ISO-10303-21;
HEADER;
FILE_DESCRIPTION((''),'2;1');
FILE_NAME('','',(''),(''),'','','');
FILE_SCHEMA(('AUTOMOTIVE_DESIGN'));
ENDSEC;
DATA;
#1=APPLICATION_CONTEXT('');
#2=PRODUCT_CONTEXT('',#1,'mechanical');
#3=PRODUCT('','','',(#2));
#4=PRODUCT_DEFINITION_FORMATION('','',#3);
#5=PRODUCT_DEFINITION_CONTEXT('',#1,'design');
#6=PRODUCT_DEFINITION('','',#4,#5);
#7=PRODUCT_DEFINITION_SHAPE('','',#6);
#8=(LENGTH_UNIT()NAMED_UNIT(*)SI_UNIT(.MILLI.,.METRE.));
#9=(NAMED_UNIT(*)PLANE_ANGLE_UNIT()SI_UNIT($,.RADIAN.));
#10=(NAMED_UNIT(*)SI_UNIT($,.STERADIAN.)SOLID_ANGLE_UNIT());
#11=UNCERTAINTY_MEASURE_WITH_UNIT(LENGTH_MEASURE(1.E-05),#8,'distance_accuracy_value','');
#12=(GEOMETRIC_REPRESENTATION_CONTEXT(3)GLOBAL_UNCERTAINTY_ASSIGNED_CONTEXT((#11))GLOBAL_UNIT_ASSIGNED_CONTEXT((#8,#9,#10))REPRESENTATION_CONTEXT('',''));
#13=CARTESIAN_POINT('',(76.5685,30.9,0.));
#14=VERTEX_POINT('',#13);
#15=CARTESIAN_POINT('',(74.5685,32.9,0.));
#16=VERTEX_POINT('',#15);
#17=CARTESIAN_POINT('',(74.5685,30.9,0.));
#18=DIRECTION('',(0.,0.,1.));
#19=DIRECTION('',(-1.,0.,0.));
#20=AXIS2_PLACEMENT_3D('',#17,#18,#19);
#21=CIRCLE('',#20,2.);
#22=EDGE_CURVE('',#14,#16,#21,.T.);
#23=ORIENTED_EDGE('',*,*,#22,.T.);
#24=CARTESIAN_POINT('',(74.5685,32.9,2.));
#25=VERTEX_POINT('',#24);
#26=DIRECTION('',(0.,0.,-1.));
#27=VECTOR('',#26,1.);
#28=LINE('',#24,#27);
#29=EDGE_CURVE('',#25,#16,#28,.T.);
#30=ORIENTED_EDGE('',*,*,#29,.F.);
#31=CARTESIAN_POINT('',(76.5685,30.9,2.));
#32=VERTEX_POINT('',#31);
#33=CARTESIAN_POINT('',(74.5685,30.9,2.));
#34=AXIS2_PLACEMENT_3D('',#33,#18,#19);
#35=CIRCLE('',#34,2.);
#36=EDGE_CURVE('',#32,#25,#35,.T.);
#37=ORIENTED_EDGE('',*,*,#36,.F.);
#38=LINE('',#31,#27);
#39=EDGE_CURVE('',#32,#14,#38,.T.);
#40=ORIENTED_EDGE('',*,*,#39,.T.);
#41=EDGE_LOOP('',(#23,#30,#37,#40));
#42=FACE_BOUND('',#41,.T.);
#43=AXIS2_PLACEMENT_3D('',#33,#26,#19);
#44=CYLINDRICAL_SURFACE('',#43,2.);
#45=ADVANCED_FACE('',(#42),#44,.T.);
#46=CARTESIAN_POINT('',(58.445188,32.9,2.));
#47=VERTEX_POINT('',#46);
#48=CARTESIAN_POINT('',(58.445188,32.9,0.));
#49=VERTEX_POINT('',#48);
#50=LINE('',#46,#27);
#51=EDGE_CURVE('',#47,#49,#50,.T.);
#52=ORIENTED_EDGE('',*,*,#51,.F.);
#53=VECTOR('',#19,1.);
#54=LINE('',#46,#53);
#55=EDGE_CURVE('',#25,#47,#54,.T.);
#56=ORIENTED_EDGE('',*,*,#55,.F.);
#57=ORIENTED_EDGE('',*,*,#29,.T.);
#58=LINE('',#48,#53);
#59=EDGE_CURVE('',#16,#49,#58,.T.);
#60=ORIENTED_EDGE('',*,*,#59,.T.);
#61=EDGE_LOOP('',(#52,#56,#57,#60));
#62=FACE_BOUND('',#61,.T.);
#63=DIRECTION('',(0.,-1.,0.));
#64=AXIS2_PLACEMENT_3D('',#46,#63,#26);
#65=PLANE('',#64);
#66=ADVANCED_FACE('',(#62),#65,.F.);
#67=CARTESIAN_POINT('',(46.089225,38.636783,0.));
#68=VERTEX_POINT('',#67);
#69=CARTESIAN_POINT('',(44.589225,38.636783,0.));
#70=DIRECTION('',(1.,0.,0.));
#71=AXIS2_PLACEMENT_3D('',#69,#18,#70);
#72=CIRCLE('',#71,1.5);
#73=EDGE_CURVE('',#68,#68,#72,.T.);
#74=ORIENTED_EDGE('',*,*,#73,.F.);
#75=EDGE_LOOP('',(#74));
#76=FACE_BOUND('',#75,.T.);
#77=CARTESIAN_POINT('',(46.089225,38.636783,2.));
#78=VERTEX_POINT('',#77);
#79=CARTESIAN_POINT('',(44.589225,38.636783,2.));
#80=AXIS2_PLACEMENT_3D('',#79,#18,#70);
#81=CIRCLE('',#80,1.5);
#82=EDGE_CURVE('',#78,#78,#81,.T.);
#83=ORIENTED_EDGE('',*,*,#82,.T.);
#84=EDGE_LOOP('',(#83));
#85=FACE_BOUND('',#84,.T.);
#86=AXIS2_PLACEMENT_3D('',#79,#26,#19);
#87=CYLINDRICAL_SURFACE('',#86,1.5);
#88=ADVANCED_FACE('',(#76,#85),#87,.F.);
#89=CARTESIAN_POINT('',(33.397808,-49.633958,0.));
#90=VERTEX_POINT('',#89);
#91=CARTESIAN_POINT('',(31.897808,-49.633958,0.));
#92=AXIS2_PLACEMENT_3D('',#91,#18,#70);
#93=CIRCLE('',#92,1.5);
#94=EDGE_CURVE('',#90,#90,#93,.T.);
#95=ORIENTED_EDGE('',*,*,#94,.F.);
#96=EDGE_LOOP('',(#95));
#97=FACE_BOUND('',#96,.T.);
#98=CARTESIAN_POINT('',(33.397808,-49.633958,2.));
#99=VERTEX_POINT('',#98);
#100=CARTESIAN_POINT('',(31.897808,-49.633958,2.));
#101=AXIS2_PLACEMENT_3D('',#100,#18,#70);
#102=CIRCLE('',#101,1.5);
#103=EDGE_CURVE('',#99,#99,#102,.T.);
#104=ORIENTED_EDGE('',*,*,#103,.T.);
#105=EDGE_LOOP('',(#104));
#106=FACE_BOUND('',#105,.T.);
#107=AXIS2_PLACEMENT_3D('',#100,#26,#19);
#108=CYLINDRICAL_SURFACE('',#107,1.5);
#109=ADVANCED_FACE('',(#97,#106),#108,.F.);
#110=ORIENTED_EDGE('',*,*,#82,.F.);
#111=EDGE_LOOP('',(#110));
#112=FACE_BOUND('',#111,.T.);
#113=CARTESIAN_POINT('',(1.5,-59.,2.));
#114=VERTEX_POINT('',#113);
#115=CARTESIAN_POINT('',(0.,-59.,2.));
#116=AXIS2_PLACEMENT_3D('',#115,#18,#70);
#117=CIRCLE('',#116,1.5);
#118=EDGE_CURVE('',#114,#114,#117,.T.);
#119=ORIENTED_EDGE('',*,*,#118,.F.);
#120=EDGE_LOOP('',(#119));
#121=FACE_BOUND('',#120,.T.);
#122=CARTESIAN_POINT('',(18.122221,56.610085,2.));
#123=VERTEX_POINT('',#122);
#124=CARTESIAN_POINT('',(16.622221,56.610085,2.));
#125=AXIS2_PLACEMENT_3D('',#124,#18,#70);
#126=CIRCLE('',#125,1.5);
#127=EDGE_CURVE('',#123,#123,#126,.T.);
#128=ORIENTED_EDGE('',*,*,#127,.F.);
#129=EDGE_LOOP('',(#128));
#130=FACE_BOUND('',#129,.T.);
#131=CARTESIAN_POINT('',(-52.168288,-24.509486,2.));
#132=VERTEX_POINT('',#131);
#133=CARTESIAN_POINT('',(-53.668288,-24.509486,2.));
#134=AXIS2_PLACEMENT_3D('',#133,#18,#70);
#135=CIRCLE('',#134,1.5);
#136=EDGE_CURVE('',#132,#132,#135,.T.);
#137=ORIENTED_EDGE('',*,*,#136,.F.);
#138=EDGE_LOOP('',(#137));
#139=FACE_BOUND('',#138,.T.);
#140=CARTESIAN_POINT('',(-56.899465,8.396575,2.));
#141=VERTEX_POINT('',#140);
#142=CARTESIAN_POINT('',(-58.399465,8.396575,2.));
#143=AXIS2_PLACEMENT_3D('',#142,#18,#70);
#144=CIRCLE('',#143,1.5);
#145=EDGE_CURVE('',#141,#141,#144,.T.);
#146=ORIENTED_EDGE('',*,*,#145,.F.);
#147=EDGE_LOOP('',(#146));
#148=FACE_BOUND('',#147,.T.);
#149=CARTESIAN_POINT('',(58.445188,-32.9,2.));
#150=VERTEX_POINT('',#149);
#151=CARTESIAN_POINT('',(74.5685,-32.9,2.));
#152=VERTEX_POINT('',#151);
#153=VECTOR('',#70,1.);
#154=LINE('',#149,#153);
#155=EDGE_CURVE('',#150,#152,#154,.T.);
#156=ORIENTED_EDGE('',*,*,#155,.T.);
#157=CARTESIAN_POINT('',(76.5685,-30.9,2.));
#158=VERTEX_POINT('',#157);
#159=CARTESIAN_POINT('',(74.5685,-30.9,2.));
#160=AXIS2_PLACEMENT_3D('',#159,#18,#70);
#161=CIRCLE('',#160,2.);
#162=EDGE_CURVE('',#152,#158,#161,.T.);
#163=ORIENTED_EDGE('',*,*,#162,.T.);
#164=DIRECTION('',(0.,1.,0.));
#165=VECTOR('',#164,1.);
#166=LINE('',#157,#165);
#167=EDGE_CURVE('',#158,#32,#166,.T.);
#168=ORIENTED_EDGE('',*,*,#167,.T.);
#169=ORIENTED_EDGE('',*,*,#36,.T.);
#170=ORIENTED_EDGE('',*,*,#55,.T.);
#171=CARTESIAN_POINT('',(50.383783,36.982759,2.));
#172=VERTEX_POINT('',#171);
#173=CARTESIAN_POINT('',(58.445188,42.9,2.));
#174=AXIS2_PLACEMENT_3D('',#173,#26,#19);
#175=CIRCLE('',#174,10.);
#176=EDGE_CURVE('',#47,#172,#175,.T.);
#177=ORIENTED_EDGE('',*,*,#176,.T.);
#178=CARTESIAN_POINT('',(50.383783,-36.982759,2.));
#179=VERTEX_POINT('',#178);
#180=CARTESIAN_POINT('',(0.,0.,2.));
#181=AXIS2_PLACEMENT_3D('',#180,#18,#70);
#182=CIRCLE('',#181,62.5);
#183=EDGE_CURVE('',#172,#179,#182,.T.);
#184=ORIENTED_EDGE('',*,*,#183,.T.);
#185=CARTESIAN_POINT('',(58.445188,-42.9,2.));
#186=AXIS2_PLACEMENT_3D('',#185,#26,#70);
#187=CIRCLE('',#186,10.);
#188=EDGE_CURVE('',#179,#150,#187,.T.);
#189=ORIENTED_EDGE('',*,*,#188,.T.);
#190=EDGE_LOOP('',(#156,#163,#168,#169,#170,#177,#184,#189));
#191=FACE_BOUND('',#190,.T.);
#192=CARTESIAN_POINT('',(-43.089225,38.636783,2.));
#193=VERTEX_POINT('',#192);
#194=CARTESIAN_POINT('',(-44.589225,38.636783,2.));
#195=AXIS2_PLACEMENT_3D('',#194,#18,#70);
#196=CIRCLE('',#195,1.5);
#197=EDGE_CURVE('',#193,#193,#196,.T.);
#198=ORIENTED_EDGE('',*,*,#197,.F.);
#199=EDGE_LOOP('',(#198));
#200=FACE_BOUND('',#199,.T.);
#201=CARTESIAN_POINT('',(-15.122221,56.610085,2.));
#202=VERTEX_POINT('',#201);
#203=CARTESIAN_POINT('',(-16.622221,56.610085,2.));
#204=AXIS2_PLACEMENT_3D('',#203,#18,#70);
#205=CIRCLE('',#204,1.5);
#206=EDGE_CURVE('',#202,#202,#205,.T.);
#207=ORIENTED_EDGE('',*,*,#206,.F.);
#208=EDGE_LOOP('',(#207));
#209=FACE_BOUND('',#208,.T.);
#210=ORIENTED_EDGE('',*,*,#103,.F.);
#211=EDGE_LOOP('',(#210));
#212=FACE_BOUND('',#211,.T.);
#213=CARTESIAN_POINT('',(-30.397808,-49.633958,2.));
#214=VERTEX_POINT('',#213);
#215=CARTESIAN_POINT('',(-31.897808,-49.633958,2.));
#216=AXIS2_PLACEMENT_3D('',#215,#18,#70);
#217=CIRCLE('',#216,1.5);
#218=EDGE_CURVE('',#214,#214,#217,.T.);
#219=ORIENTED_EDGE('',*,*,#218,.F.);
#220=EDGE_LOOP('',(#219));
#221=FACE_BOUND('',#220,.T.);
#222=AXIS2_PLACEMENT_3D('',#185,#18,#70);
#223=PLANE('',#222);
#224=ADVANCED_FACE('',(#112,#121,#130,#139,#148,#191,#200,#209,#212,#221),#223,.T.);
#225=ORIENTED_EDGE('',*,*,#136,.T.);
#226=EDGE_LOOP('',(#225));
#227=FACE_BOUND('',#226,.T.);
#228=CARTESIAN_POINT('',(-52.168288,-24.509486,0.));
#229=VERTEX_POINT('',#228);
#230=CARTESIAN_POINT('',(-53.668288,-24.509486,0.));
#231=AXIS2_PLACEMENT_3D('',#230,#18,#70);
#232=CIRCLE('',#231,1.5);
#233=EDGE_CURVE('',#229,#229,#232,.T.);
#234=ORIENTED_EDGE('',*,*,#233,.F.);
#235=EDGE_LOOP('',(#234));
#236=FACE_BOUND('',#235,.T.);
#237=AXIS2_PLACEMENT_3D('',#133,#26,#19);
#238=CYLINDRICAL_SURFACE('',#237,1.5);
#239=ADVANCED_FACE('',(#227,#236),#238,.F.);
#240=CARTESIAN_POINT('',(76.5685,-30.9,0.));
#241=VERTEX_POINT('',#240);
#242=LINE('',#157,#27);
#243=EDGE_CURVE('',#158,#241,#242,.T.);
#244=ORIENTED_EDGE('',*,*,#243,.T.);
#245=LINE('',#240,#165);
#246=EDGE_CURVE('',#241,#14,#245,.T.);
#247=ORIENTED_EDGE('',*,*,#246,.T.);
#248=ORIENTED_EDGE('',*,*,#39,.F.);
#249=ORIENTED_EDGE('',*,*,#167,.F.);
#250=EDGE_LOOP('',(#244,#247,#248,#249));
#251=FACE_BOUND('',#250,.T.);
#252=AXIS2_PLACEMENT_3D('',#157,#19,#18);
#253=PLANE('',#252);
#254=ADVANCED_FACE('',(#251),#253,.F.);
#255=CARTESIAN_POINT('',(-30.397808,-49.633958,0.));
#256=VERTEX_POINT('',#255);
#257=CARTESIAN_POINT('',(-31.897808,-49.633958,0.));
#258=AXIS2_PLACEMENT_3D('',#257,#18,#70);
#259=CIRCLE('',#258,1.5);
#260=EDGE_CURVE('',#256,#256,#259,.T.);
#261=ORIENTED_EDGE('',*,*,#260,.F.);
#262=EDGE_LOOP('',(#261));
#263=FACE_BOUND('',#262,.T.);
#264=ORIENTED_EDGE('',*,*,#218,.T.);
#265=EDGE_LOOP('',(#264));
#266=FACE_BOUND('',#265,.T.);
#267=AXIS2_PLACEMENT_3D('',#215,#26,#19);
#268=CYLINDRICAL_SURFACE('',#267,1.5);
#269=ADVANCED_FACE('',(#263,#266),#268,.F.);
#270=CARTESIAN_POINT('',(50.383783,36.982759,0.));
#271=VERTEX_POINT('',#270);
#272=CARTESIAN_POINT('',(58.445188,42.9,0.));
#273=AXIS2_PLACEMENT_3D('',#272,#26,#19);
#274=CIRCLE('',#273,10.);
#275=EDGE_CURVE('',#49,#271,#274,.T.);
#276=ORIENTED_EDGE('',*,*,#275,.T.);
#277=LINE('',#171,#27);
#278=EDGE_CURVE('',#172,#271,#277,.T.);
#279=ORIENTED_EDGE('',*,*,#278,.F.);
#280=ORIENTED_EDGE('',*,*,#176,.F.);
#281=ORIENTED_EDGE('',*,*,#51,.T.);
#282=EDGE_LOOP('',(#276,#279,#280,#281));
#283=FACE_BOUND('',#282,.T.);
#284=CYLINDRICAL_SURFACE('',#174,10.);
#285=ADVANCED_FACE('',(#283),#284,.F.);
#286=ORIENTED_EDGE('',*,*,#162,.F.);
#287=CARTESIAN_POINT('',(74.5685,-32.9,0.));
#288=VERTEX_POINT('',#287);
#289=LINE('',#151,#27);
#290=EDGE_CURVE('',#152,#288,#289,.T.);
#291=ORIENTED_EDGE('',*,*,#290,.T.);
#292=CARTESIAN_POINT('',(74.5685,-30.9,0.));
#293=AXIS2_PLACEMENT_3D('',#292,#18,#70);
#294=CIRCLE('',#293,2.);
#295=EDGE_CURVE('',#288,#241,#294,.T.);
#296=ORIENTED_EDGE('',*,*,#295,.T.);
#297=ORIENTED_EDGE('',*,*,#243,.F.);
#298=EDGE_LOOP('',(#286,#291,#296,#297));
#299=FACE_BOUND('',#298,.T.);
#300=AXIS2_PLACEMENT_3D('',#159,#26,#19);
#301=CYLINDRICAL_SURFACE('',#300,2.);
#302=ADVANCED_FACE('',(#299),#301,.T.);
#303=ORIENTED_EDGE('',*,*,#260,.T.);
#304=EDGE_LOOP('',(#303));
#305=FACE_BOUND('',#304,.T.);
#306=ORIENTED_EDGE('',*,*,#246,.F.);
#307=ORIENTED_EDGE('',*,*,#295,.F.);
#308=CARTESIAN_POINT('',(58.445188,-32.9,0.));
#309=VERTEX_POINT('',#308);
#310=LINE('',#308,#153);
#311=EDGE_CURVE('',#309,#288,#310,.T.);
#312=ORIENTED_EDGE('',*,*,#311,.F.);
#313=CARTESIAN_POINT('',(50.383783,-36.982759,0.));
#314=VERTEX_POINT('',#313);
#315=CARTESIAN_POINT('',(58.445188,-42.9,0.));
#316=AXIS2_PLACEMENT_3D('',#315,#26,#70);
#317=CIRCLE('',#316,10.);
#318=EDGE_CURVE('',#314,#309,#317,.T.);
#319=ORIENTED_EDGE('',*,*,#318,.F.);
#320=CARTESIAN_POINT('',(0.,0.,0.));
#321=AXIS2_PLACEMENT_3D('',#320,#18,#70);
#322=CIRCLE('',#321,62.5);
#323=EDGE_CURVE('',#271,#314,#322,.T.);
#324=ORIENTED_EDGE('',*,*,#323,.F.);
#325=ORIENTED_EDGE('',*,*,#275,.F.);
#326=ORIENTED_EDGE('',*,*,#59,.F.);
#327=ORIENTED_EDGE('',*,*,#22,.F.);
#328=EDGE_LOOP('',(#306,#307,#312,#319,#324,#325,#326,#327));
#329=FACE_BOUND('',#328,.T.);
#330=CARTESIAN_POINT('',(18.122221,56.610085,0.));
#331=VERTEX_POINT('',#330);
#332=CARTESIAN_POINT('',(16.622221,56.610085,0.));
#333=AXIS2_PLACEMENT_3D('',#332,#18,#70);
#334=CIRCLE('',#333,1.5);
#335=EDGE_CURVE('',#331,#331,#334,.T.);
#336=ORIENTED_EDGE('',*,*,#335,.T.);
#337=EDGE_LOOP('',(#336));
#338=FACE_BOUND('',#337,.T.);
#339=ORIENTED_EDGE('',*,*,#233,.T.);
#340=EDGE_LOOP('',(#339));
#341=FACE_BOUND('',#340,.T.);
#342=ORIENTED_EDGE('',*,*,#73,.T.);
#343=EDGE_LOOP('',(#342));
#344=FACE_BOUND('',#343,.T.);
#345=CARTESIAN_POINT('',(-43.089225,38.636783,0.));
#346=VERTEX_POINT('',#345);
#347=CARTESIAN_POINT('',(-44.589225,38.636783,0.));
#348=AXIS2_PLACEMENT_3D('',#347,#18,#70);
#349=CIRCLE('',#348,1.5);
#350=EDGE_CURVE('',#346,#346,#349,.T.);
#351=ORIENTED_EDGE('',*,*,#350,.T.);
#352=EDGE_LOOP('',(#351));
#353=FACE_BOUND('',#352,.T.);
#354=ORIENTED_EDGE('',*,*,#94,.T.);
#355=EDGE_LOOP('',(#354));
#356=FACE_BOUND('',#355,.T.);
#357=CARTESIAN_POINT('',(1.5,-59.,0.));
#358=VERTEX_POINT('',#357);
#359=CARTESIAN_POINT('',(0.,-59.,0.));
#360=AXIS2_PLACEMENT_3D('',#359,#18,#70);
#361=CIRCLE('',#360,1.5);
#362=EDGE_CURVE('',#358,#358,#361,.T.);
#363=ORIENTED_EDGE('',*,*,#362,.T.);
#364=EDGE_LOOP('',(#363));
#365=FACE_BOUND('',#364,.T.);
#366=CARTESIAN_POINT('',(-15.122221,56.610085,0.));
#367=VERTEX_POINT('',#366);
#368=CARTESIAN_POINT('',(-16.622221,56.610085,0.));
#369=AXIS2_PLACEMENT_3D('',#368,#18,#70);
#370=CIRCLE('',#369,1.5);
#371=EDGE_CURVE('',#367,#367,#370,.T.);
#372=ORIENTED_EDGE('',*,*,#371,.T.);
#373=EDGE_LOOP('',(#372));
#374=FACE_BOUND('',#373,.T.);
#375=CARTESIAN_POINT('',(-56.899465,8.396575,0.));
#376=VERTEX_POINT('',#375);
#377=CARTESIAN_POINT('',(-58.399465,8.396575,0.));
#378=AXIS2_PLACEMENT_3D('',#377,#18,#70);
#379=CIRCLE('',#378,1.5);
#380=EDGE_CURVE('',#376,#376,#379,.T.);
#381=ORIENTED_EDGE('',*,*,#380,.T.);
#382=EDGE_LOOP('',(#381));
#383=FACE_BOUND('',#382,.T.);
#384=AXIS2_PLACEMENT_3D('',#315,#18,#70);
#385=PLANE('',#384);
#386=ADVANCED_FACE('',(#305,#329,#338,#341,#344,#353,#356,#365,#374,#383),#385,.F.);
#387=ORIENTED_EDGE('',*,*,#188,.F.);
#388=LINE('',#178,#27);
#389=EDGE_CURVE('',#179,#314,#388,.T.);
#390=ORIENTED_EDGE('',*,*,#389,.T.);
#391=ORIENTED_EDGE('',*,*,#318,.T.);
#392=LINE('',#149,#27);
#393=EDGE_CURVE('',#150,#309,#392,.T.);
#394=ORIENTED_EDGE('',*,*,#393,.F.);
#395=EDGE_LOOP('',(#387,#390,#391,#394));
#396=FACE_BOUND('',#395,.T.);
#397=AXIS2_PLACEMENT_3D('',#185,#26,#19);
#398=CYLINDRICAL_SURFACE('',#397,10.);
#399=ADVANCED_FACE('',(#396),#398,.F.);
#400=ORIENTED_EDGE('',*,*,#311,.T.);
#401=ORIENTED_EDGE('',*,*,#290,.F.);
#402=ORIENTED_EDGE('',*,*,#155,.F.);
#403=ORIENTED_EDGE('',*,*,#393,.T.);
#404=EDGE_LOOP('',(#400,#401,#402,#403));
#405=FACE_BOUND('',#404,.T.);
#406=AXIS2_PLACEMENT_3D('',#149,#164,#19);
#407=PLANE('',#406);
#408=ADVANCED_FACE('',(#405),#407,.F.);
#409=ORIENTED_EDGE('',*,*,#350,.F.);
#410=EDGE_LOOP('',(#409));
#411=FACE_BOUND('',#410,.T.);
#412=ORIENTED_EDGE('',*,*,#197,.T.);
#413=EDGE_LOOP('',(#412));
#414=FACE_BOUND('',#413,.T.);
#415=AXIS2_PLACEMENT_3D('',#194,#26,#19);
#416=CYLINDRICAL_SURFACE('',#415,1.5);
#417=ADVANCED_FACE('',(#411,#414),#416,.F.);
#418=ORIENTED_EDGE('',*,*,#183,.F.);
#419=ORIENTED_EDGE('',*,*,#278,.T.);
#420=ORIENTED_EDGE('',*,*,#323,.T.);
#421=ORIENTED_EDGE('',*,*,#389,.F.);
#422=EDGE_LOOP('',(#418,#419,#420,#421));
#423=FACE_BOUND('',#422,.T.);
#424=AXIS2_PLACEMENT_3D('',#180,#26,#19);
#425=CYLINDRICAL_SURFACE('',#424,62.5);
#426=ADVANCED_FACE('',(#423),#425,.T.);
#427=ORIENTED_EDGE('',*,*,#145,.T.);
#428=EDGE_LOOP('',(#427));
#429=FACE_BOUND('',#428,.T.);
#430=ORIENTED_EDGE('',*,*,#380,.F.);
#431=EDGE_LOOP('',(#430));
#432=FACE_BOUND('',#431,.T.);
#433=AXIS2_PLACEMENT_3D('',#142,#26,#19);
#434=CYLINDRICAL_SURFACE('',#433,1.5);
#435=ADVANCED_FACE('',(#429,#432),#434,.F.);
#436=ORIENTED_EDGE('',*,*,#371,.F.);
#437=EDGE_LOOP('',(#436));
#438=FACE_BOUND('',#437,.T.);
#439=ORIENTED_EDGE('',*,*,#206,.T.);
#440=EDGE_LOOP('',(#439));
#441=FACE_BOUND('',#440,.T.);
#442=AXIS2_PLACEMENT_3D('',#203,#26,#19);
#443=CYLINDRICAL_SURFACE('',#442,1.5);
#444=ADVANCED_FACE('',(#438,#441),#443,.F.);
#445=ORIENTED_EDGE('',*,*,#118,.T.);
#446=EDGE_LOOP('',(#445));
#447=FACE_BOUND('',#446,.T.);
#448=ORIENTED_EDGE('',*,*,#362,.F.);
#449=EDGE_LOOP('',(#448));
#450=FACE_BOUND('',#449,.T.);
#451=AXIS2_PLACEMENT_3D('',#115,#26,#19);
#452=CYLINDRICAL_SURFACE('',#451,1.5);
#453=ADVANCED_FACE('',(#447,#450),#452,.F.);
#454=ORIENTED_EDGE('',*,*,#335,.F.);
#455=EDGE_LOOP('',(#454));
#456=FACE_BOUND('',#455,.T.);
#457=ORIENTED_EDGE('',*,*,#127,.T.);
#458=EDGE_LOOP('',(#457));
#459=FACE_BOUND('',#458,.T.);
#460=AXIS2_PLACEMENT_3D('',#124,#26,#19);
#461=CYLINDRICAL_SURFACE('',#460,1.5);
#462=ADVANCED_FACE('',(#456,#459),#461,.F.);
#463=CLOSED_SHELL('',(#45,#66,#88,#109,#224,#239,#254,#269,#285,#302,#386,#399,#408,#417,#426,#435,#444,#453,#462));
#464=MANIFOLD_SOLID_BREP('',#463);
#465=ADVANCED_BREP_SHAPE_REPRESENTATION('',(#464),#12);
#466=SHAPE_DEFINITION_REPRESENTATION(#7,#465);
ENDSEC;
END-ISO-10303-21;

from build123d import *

# Parameters (mm, degrees)
SKETCH_1_R      = 1.5
EXTRUDE_1_DEPTH = 2


with BuildPart() as part:
    # 草图1 → 凸台-拉伸1 (new body)
    with BuildSketch(Plane.XY):
        with BuildLine():
            Line((58.445187997, 32.9), (74.5685, 32.9))
            ThreePointArc((74.5685, 32.9), (75.982713562, 32.314213562), (76.5685, 30.9))
            Line((76.5685, 30.9), (76.5685, -30.9))
            ThreePointArc((76.5685, -30.9), (75.982713562, -32.314213562), (74.5685, -32.9))
            Line((74.5685, -32.9), (58.445187997, -32.9))
            ThreePointArc((58.445187997, -32.9), (53.927025417, -33.978889817), (50.383782756, -36.982758621))
            ThreePointArc((50.383782756, -36.982758621), (-62.5, 0), (50.383782756, 36.982758621))
            ThreePointArc((50.383782756, 36.982758621), (53.927025417, 33.978889817), (58.445187997, 32.9))
        make_face()
        with Locations((0, -59)):
            Circle(SKETCH_1_R, mode=Mode.SUBTRACT)
        with Locations((-31.89780823, -49.633958437)):
            Circle(SKETCH_1_R, mode=Mode.SUBTRACT)
        with Locations((-53.668287726, -24.509485767)):
            Circle(SKETCH_1_R, mode=Mode.SUBTRACT)
        with Locations((-58.399465071, 8.396575458)):
            Circle(SKETCH_1_R, mode=Mode.SUBTRACT)
        with Locations((-44.589224887, 38.636783303)):
            Circle(SKETCH_1_R, mode=Mode.SUBTRACT)
        with Locations((-16.622220854, 56.610085443)):
            Circle(SKETCH_1_R, mode=Mode.SUBTRACT)
        with Locations((16.622220854, 56.610085443)):
            Circle(SKETCH_1_R, mode=Mode.SUBTRACT)
        with Locations((44.589224887, 38.636783303)):
            Circle(SKETCH_1_R, mode=Mode.SUBTRACT)
        with Locations((31.89780823, -49.633958437)):
            Circle(SKETCH_1_R, mode=Mode.SUBTRACT)
    extrude(amount=EXTRUDE_1_DEPTH)


solid = part.part
